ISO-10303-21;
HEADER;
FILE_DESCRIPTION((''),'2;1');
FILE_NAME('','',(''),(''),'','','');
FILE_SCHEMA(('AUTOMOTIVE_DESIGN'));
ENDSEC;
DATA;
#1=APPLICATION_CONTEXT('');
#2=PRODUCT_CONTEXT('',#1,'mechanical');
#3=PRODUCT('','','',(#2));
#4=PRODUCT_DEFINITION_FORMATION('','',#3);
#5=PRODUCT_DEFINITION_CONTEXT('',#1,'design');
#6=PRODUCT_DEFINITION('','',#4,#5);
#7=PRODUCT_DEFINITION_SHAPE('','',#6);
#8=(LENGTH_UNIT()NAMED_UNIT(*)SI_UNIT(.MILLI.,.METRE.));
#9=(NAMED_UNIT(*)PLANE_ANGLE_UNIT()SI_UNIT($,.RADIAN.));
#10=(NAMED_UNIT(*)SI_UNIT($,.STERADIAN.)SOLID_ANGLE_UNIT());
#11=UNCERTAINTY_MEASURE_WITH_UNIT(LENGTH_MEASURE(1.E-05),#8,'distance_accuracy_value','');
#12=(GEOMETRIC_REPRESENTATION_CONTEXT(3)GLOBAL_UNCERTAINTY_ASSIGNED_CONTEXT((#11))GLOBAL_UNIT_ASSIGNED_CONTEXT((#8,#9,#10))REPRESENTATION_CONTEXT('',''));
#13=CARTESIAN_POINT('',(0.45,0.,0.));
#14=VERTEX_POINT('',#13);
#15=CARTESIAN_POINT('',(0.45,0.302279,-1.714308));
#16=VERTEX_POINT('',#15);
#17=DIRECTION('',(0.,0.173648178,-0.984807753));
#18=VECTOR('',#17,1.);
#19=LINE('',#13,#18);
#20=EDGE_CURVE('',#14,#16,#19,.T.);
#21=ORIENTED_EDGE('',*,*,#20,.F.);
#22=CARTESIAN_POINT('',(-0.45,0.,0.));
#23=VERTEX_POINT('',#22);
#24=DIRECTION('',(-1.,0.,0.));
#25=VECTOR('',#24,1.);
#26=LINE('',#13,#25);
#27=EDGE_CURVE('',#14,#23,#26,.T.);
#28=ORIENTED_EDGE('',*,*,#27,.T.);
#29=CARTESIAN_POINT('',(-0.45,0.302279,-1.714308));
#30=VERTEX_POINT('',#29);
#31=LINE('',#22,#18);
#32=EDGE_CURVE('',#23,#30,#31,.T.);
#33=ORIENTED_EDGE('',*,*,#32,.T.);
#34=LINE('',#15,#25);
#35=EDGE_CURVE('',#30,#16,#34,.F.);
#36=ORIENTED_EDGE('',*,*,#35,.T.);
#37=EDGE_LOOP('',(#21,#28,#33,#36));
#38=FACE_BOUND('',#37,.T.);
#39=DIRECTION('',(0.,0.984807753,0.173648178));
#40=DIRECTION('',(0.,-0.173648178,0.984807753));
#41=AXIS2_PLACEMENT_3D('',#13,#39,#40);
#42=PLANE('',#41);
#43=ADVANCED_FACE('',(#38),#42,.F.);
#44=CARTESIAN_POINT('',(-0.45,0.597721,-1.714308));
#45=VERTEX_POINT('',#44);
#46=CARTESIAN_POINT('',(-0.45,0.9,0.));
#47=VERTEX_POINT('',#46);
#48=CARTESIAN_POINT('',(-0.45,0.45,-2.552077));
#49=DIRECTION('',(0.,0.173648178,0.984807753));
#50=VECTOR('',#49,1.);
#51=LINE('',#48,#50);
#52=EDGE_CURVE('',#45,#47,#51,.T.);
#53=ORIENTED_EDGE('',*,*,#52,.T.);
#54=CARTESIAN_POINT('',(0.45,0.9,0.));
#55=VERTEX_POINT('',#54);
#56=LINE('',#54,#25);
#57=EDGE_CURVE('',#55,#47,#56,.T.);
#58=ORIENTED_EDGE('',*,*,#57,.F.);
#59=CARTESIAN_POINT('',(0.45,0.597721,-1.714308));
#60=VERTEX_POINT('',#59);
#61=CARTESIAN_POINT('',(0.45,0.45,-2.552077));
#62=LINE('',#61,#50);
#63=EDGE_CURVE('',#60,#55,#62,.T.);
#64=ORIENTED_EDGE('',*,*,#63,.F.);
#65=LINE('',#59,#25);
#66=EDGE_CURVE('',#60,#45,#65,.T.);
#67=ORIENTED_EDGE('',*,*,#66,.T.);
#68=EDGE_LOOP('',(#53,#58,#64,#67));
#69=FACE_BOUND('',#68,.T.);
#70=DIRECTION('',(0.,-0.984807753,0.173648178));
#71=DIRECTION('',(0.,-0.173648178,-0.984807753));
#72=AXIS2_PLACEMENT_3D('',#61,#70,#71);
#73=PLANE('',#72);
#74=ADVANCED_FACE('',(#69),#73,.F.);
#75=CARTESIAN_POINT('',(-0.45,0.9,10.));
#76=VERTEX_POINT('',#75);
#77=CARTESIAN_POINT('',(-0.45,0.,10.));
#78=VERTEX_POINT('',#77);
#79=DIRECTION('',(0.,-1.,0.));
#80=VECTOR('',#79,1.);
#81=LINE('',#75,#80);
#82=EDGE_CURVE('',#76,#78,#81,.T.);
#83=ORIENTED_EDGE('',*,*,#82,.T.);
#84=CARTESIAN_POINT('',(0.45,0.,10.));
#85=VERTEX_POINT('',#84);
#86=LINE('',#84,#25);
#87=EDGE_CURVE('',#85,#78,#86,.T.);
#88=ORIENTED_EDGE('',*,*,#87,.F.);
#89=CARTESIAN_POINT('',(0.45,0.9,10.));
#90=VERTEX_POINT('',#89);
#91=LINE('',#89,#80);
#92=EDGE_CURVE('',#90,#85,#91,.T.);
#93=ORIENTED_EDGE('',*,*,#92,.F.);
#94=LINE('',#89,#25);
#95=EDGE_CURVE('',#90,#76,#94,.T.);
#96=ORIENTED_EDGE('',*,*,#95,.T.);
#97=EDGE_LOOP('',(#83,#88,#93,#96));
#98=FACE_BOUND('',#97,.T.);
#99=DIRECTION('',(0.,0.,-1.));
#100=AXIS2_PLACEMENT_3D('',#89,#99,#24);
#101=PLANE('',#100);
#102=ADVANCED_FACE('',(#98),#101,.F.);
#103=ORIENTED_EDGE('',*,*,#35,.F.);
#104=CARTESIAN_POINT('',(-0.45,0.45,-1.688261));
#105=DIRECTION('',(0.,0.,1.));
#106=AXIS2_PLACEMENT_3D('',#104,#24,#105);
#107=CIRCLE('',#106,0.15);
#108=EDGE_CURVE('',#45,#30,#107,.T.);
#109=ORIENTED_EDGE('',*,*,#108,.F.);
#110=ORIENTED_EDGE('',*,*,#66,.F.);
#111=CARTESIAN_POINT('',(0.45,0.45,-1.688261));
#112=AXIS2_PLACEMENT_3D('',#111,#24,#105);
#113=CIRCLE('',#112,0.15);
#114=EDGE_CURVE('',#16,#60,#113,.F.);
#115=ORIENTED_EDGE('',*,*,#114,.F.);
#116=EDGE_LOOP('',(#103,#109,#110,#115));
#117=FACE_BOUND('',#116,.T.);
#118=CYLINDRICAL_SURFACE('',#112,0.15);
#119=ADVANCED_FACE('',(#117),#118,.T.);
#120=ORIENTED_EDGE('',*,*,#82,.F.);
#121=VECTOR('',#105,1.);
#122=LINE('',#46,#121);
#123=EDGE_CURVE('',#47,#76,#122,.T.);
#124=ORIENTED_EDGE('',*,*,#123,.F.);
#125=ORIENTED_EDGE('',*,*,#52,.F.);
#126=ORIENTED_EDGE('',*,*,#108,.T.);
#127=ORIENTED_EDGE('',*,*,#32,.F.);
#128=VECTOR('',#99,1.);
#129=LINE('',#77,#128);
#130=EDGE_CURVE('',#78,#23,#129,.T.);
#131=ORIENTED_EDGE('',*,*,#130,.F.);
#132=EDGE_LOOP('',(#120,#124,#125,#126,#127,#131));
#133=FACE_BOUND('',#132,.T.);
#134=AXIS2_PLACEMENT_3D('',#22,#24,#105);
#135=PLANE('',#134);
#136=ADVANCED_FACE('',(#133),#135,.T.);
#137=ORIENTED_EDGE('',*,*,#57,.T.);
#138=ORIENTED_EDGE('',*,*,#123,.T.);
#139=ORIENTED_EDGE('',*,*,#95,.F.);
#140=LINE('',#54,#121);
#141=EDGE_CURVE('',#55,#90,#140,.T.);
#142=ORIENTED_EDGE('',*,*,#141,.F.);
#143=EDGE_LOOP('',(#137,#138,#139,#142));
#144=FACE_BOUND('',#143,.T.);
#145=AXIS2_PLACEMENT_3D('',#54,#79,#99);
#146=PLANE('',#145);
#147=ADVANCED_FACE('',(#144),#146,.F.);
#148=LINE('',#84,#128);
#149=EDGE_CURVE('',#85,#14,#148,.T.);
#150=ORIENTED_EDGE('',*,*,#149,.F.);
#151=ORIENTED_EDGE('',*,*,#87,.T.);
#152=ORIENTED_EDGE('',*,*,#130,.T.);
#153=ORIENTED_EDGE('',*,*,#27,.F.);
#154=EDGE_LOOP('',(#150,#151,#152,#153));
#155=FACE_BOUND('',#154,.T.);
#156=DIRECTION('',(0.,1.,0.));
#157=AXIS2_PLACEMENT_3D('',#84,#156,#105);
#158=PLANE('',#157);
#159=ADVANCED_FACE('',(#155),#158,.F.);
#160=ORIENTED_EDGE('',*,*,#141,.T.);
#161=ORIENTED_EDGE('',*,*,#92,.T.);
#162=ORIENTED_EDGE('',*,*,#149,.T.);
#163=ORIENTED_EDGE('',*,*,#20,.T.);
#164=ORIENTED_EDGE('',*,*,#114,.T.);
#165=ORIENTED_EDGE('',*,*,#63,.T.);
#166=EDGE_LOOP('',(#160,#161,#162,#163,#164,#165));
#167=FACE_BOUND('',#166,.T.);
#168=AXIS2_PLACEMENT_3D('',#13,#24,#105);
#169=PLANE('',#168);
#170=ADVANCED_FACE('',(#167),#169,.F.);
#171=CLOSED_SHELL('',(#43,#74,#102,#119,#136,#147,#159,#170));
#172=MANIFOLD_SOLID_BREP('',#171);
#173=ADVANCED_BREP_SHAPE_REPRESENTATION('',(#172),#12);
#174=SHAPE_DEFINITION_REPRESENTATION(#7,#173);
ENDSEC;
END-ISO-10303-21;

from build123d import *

# Parameters (mm, degrees)
BOSS_EXTRUDE1_DEPTH = 0.45
FILLET1_R           = 0.15


with BuildPart() as part:
    # Sketch1 → Boss-Extrude1 (new, symmetric)
    with BuildSketch(Plane(origin=(0, 0, 0), x_dir=(0, 0, -1), z_dir=(1, 0, 0))):
        Polygon((0, 0), (2.552076819, 0.45), (0, 0.9), (-10, 0.9), (-10, 0), align=None)
    extrude(amount=BOSS_EXTRUDE1_DEPTH, both=True)

    # Fillet1
    fillet1_edges = [part.edges().sort_by_distance(p)[0] for p in [
        (0, 0.45, -2.552076819),
    ]]
    fillet(fillet1_edges, radius=FILLET1_R)


solid = part.part
